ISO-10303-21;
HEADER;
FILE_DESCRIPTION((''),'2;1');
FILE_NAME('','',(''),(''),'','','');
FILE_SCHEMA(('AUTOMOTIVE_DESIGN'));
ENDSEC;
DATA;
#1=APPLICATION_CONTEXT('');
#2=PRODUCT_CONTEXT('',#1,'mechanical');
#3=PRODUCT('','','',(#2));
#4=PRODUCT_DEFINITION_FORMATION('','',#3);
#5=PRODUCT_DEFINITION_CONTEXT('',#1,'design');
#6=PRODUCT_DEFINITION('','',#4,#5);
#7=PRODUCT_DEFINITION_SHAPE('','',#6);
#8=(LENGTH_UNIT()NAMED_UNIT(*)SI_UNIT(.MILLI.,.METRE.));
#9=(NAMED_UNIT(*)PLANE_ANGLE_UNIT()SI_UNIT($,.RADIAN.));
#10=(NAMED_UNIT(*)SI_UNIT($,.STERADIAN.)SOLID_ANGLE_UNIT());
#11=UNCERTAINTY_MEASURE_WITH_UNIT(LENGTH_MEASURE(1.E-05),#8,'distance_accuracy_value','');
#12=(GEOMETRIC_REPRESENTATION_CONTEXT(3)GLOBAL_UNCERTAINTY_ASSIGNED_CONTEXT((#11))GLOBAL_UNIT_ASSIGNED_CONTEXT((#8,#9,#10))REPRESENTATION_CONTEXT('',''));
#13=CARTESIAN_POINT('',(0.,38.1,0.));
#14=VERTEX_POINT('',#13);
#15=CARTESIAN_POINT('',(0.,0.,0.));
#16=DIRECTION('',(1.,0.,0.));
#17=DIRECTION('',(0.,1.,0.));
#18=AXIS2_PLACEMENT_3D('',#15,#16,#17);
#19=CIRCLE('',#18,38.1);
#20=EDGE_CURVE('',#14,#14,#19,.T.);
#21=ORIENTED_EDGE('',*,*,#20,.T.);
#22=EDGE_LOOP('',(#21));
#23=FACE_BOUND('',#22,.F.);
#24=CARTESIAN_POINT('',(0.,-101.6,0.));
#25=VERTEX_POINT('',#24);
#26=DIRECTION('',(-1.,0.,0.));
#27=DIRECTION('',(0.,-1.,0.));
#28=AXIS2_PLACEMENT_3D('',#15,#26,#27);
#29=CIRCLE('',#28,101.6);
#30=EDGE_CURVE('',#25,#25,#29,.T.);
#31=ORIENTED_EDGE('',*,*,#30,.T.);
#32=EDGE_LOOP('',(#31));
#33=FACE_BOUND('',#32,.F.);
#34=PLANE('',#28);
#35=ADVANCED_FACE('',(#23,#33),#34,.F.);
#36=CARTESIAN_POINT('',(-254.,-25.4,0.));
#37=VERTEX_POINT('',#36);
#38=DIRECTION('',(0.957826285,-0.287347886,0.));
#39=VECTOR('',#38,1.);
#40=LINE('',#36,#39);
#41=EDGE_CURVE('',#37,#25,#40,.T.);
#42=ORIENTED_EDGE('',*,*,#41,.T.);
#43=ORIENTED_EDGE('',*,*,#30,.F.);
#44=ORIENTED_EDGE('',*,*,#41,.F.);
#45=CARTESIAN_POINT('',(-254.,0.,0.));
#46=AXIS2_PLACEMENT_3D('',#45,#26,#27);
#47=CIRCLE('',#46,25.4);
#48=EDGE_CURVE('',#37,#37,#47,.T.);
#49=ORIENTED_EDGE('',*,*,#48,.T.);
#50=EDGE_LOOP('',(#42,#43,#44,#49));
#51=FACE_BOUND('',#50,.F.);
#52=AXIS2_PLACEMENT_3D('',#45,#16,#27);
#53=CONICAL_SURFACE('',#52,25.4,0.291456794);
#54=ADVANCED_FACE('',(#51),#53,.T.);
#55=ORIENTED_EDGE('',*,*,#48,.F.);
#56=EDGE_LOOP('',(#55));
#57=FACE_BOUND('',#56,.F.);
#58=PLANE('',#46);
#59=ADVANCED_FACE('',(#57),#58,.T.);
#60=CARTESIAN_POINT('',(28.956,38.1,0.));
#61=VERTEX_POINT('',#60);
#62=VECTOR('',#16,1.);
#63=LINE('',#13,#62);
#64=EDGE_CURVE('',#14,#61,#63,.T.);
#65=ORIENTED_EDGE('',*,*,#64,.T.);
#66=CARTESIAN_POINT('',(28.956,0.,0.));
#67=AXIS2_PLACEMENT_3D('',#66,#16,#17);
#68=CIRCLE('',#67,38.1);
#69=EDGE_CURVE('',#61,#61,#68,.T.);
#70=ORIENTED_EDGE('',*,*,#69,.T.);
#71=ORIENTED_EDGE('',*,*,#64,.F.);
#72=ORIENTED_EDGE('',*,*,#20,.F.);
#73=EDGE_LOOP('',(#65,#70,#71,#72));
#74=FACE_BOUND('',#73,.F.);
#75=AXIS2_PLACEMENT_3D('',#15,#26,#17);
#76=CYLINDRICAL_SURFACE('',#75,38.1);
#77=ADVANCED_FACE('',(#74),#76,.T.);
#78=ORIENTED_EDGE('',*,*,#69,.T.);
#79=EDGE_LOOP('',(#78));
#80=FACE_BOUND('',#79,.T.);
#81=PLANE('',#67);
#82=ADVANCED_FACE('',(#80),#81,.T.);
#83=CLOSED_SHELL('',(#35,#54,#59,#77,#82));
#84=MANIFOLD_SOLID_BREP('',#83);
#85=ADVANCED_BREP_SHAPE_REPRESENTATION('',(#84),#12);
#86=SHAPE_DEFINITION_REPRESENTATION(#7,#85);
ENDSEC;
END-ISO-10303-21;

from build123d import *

# Parameters (mm, degrees)
F3_R     = 38.1
F4_DEPTH = 28.956


with BuildPart() as f2:
    # F1 (on Top) → F2 (revolve)
    with BuildSketch(Plane.XY):
        Polygon((0, -101.6), (0, 0), (-254, 0), (-254, -25.4), align=None)
    revolve(axis=Axis((-127, 0, 0), (-1, 0, 0)))

    # F3 (on face) → F4 (join)
    with BuildSketch(Plane.YZ):
        Circle(F3_R)
    extrude(amount=F4_DEPTH)


solid = f2.part
